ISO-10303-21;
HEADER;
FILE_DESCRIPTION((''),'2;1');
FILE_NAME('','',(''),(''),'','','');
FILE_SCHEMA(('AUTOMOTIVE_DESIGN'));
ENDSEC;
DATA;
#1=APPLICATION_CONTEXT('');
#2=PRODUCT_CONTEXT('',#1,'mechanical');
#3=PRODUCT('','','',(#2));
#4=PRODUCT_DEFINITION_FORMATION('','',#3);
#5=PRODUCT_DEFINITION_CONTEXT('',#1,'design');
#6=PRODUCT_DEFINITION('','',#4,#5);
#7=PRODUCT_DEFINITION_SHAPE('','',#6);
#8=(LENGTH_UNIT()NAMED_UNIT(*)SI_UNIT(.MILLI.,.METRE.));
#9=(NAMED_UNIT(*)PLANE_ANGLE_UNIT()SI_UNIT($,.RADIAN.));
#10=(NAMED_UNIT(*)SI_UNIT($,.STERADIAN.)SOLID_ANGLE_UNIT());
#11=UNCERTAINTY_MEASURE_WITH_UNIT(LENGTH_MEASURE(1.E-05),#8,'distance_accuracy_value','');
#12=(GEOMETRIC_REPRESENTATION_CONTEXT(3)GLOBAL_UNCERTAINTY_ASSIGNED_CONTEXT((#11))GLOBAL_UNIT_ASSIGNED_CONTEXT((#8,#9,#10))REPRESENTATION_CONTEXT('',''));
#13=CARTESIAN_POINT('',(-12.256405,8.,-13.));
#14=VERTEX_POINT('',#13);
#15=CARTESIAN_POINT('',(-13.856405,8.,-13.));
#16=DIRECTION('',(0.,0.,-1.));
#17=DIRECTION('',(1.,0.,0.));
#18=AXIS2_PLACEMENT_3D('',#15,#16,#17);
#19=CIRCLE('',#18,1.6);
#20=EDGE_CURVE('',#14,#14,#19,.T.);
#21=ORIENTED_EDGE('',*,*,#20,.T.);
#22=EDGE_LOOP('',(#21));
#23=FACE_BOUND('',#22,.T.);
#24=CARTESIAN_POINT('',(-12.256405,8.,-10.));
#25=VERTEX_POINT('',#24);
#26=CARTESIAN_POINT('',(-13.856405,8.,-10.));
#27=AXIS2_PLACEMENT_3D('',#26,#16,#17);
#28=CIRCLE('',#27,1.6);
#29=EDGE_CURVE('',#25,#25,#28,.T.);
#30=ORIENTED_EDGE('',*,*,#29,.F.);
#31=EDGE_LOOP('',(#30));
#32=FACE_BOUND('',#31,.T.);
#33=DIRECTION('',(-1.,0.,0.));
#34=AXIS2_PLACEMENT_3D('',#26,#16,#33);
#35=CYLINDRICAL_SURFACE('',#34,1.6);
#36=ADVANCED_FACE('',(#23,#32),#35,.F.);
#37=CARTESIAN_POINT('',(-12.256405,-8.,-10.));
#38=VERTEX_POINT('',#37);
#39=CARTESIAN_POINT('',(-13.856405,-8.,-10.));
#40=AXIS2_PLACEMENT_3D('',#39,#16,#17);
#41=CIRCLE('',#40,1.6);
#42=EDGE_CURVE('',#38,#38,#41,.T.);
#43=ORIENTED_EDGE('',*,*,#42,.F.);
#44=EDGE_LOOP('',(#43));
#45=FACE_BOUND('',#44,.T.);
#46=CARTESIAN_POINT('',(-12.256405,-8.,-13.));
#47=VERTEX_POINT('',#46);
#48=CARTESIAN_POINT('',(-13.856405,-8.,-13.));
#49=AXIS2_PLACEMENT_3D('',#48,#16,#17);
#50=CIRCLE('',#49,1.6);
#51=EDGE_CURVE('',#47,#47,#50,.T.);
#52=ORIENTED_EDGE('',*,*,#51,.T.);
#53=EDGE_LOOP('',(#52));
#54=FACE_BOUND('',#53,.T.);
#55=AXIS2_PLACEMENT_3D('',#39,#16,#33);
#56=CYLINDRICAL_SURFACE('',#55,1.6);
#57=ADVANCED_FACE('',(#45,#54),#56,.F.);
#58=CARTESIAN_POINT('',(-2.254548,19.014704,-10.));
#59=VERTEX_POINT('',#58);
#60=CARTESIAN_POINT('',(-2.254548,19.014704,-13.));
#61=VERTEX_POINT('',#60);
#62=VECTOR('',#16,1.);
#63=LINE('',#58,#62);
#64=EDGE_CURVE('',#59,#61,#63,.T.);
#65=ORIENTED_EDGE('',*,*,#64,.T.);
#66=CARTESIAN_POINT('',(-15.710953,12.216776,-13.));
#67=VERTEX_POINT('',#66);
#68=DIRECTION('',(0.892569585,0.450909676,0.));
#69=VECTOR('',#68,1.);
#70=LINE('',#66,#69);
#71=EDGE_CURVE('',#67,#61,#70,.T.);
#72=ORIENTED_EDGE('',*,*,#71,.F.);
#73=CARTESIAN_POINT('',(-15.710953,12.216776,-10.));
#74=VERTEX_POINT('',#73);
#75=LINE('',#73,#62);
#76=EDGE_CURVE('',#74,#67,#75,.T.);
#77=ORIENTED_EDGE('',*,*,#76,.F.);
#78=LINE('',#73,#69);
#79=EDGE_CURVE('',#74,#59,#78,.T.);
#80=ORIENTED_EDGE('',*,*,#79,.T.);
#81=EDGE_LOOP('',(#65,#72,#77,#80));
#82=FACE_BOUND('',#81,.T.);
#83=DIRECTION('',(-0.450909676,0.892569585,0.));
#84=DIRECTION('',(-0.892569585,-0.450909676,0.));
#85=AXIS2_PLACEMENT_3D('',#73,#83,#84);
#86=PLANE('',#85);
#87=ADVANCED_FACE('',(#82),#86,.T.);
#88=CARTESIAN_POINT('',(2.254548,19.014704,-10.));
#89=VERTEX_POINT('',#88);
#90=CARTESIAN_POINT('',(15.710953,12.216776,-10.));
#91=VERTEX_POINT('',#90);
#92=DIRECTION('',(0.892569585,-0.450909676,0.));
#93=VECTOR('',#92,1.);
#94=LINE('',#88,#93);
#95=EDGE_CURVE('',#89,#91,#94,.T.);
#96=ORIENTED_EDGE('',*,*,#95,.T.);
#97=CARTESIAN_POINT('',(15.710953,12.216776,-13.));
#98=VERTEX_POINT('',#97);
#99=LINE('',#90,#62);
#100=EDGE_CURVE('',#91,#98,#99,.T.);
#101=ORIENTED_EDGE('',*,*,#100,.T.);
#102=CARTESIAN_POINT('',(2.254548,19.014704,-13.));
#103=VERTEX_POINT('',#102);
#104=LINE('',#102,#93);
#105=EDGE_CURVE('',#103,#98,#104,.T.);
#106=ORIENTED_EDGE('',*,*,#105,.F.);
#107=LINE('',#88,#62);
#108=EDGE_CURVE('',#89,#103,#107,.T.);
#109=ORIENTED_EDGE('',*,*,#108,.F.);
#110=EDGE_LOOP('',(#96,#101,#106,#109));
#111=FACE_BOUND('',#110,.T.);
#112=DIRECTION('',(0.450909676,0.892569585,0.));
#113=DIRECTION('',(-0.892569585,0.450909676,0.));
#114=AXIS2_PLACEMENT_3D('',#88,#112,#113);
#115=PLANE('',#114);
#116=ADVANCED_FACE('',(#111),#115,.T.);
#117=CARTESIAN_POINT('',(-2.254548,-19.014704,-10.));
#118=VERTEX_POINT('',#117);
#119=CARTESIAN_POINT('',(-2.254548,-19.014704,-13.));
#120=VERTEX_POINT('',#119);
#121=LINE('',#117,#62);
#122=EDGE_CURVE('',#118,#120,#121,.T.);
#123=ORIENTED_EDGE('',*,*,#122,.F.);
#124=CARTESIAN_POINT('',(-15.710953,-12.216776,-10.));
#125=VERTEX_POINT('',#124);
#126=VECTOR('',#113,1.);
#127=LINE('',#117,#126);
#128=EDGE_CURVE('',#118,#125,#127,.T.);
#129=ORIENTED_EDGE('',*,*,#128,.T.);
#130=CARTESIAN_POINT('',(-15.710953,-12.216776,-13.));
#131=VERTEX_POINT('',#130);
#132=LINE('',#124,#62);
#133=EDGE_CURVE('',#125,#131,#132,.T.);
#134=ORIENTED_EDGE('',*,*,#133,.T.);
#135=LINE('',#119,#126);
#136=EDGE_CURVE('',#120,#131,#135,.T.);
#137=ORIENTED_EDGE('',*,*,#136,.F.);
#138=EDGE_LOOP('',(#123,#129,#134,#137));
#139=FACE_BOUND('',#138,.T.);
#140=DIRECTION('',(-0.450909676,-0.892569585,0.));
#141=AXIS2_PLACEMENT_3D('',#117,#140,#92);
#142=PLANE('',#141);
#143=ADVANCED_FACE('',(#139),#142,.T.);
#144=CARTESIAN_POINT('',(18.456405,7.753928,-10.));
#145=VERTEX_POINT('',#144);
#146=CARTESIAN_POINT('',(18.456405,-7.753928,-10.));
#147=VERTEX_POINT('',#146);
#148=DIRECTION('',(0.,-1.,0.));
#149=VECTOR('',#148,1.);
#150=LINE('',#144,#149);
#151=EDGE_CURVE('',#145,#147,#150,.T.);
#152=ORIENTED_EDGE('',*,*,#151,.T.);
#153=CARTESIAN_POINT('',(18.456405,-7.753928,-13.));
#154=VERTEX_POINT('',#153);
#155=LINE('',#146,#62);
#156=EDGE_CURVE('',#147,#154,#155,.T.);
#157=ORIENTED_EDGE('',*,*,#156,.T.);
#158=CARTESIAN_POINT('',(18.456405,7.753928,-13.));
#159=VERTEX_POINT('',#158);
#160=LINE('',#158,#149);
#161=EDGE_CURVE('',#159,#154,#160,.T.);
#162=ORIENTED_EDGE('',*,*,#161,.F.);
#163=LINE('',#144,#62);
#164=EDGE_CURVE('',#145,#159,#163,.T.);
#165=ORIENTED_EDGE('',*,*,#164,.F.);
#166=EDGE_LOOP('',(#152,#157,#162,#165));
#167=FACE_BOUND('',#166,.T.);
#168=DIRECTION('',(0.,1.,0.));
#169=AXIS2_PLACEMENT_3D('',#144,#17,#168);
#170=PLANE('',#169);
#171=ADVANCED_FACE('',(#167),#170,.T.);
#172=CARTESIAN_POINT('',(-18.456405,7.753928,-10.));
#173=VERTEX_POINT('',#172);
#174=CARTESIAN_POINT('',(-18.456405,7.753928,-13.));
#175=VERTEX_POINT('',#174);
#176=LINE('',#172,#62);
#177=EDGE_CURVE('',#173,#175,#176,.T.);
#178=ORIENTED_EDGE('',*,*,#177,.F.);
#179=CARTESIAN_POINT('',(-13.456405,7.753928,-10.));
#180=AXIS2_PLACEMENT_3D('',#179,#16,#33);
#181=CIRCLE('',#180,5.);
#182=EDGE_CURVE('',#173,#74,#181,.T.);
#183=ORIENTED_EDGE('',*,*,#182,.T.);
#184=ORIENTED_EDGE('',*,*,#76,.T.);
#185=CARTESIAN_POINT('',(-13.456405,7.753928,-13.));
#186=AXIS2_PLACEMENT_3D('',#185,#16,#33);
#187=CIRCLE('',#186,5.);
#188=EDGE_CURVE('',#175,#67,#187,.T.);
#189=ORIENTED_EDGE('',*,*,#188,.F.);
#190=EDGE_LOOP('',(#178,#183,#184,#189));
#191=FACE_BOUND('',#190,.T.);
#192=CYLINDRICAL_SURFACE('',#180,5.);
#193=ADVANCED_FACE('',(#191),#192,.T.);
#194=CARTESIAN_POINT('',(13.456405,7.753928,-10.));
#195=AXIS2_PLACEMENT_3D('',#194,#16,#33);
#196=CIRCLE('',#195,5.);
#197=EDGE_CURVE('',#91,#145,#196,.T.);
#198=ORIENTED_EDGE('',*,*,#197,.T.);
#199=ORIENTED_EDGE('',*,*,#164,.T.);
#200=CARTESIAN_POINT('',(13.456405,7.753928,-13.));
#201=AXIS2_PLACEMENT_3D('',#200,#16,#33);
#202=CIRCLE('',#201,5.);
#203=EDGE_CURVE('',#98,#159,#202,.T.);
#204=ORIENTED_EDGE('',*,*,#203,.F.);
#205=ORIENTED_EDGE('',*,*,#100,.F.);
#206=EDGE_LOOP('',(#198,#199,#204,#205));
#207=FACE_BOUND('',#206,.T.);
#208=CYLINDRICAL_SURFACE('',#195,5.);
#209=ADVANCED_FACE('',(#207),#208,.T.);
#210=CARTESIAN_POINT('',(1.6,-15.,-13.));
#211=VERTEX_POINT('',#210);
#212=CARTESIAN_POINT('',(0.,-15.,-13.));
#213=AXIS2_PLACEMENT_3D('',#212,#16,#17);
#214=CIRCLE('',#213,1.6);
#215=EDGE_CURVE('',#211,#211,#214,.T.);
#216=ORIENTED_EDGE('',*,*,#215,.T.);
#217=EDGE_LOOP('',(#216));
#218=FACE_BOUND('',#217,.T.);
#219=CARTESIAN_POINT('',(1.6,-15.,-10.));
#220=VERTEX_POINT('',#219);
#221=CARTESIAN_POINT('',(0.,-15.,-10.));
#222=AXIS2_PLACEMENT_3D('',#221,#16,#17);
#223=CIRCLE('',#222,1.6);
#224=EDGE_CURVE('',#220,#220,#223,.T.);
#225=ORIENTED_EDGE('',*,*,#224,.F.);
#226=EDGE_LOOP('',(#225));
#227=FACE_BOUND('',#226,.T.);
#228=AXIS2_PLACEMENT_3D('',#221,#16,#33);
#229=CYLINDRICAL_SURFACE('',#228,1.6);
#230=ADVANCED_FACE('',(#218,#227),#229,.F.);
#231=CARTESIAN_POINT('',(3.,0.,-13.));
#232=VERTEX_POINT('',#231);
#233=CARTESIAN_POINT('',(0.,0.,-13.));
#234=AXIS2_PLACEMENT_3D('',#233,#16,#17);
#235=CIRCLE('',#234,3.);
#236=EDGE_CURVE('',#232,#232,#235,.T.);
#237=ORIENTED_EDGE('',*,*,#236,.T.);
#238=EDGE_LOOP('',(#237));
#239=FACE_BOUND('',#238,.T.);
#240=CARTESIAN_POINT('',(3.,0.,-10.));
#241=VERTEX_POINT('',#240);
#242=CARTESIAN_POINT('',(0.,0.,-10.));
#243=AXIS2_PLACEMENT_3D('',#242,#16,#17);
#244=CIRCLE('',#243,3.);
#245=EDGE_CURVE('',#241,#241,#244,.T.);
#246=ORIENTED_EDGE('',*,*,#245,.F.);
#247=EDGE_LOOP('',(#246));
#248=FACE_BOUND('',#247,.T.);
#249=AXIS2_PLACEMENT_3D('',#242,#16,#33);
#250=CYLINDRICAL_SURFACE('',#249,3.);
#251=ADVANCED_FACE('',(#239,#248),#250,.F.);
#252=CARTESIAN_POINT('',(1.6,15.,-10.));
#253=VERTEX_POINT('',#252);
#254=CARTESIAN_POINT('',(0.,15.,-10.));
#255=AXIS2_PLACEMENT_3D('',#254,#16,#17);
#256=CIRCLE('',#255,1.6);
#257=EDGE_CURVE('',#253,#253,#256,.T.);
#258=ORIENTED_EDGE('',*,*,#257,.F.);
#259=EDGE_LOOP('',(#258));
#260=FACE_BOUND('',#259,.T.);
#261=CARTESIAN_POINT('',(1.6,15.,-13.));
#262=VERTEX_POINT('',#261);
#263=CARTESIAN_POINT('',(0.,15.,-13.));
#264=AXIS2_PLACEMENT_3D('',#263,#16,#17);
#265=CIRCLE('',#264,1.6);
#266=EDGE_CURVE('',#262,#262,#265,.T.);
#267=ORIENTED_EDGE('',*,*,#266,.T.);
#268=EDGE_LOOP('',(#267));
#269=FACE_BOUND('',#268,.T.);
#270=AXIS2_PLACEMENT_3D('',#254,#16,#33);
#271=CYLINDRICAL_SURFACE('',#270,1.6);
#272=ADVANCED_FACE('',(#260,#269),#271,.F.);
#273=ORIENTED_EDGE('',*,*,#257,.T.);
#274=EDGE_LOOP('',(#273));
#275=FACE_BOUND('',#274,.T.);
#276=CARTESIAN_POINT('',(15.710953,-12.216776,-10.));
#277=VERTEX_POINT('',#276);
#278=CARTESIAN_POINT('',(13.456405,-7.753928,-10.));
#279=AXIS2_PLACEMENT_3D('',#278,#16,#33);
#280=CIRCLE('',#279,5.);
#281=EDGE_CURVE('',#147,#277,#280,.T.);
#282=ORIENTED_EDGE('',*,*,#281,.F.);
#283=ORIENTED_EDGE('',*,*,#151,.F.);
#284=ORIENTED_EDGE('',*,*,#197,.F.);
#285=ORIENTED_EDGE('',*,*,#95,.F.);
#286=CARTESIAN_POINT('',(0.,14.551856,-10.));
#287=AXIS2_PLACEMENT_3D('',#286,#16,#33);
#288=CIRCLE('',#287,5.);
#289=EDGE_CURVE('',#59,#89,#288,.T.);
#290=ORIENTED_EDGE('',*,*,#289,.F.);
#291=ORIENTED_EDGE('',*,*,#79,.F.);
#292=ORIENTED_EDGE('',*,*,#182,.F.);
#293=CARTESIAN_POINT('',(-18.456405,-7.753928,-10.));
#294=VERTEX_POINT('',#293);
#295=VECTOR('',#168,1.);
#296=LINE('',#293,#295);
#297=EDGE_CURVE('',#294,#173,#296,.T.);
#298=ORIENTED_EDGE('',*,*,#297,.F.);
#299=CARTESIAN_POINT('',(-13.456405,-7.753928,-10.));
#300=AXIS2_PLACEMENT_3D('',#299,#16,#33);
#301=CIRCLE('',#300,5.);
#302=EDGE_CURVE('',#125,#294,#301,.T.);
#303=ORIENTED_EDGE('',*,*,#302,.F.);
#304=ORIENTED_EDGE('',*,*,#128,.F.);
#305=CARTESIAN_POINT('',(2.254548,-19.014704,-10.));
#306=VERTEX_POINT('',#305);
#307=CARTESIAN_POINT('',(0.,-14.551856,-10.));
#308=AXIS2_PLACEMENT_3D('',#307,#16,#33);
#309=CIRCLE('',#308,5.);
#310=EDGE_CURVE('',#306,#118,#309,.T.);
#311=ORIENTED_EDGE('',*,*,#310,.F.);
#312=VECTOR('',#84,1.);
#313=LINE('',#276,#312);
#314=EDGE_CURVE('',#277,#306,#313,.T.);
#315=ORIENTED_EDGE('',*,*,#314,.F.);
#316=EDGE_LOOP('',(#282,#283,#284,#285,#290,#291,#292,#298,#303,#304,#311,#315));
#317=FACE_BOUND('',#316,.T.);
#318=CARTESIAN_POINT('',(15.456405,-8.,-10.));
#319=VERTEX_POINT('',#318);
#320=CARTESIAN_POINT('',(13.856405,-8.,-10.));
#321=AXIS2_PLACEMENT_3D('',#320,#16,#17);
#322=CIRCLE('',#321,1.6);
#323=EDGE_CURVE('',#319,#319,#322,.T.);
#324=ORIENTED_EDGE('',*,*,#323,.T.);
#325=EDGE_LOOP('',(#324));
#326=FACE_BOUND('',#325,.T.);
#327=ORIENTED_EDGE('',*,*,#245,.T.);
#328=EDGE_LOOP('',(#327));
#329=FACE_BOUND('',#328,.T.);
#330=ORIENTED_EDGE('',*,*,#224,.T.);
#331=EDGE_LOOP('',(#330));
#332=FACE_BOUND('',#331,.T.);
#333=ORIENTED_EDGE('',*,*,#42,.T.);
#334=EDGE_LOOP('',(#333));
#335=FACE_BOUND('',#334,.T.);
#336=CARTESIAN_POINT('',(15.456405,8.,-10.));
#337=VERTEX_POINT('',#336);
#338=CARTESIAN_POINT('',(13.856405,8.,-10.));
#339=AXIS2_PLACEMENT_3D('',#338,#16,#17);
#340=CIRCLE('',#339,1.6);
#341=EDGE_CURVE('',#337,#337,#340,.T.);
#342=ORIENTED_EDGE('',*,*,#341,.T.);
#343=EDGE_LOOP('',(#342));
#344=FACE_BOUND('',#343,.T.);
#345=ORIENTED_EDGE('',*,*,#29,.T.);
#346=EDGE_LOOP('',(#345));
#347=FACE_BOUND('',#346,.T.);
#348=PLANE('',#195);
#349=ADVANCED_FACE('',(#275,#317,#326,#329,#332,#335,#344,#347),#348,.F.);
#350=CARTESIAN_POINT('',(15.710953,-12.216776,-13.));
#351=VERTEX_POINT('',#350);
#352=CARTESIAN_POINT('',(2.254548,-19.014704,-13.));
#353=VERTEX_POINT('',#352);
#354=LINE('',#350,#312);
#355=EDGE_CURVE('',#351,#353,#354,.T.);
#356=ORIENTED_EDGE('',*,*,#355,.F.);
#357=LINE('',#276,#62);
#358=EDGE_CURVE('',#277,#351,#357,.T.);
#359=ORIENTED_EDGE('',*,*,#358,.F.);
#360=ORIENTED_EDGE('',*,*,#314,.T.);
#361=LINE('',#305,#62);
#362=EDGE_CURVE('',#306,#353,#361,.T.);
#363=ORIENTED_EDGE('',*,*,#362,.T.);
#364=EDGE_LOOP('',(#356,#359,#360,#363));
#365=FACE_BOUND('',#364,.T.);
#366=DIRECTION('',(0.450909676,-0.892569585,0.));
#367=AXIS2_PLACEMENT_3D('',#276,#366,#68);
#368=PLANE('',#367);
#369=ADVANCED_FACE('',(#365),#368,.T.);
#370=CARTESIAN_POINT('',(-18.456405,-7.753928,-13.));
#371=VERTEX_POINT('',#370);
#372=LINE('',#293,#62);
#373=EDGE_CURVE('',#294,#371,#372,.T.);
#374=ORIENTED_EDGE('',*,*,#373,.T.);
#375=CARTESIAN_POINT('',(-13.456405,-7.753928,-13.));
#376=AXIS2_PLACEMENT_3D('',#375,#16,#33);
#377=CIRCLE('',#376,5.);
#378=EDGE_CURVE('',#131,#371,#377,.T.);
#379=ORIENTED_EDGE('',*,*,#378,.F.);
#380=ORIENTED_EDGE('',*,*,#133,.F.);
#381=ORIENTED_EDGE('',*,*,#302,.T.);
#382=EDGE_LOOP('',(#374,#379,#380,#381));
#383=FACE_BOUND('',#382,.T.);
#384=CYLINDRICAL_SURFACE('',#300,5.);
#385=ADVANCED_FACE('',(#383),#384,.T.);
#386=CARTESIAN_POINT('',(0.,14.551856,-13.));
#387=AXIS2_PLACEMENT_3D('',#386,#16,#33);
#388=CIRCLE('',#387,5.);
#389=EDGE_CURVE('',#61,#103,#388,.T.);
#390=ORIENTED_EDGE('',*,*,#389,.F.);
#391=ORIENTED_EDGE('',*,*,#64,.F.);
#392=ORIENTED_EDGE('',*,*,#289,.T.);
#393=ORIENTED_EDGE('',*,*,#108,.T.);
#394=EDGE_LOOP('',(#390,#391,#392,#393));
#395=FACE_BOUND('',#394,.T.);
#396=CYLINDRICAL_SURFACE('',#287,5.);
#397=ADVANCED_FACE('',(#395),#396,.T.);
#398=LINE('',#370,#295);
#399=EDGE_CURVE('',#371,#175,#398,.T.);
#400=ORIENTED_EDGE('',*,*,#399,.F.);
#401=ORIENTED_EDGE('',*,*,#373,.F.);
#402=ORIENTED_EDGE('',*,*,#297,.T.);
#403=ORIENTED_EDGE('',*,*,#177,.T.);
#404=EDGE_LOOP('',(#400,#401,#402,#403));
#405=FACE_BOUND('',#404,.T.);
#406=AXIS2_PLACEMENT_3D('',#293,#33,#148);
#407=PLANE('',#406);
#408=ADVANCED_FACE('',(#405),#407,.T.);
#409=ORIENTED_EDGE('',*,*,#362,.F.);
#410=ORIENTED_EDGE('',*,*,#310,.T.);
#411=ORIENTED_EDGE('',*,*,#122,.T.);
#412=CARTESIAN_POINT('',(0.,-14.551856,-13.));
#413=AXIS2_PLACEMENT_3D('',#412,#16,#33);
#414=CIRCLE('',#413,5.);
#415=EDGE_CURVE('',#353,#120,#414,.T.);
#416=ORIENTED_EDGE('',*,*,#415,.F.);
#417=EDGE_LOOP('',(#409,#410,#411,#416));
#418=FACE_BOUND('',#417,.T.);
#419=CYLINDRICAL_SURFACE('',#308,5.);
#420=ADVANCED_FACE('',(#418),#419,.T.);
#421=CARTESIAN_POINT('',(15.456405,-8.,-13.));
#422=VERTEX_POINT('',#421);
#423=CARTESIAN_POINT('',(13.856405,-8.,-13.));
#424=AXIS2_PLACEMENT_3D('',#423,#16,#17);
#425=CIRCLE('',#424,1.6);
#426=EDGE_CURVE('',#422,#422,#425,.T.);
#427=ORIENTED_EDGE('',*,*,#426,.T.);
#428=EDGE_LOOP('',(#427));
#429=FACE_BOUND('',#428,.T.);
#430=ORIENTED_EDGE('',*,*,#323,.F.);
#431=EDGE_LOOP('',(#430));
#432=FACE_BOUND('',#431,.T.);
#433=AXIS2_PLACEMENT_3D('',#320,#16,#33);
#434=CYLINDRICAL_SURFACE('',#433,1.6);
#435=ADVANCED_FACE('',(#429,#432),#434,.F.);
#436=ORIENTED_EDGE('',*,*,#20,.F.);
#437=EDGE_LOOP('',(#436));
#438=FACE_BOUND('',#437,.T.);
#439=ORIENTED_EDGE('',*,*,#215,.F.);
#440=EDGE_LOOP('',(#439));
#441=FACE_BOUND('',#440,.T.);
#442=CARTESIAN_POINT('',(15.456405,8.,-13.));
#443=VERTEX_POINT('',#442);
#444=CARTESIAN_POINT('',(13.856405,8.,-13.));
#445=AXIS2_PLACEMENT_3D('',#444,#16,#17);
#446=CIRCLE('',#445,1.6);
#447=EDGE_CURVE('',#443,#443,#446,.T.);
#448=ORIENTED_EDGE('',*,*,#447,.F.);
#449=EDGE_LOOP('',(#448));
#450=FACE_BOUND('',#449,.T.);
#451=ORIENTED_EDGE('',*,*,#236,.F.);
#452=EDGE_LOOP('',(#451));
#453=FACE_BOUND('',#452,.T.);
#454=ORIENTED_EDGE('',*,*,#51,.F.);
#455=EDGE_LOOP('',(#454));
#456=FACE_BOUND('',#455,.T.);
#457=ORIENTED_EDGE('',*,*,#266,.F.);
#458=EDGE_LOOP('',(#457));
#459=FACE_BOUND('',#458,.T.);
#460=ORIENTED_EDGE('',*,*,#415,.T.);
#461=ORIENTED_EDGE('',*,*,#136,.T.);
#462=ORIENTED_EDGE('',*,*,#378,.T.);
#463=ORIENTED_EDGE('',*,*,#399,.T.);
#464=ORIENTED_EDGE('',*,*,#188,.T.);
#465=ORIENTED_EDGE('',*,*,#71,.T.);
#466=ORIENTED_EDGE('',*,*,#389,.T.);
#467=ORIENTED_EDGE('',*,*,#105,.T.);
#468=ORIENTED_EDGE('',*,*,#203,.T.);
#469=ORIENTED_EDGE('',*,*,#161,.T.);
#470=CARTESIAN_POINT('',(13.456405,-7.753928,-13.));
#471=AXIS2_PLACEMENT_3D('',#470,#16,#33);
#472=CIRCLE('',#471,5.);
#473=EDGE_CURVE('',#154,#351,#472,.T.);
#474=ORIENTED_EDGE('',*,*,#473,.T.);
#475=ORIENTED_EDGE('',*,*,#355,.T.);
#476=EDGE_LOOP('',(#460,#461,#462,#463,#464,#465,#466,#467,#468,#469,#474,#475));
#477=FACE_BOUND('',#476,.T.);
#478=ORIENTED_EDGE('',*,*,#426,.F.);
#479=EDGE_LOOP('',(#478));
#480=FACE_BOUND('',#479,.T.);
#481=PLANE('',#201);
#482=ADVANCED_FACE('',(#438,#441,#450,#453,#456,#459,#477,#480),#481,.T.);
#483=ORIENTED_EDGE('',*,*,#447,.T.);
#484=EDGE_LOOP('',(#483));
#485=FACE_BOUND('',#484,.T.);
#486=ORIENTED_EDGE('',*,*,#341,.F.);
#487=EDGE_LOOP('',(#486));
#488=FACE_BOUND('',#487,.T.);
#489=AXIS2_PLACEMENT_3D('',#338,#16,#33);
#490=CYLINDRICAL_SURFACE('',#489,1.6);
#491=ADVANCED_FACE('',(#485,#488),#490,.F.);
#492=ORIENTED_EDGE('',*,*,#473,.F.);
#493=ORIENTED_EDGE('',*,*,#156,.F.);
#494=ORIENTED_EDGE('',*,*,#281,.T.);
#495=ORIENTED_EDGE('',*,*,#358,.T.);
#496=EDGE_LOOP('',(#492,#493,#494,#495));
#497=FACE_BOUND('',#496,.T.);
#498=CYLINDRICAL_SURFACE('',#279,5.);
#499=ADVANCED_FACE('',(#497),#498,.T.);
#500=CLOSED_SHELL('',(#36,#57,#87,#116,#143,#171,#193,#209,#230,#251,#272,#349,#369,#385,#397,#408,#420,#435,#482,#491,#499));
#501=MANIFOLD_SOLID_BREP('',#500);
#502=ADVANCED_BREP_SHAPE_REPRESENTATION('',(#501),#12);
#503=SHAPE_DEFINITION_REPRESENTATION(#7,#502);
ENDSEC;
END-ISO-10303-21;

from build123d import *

# Parameters (mm, degrees)
ESBO_O1_R                = 1.6
ESBO_O1_R_2              = 3
RESSALTO_EXTRUS_O1_DEPTH = 3


with BuildPart() as part:
    # Esboço1 → Ressalto-extrusão1 (new body)
    with BuildSketch(Plane(origin=(0, 0, -13), x_dir=(-1, 0, 0), z_dir=(0, 0, -1))):
        with BuildLine():
            Line((-18.456405, 7.753928284), (-18.456405, -7.753928284))
            ThreePointArc((-18.456405, -7.753928284), (-17.715086833, -10.373781151), (-15.710953382, -12.216776208))
            Line((-15.710953382, -12.216776208), (-2.254548382, -19.014703593))
            ThreePointArc((-2.254548382, -19.014703593), (0, -19.551855668), (2.254548382, -19.014703593))
            Line((2.254548382, -19.014703593), (15.710953382, -12.216776208))
            ThreePointArc((15.710953382, -12.216776208), (17.715086833, -10.373781151), (18.456405, -7.753928284))
            Line((18.456405, -7.753928284), (18.456405, 7.753928284))
            ThreePointArc((18.456405, 7.753928284), (17.715086833, 10.373781151), (15.710953382, 12.216776208))
            Line((15.710953382, 12.216776208), (2.254548382, 19.014703593))
            ThreePointArc((2.254548382, 19.014703593), (0, 19.551855668), (-2.254548382, 19.014703593))
            Line((-2.254548382, 19.014703593), (-15.710953382, 12.216776208))
            ThreePointArc((-15.710953382, 12.216776208), (-17.715086833, 10.373781151), (-18.456405, 7.753928284))
        make_face()
        with Locations((13.856405, -8)):
            Circle(ESBO_O1_R, mode=Mode.SUBTRACT)
        with Locations((-13.856405, 8)):
            Circle(ESBO_O1_R, mode=Mode.SUBTRACT)
        with Locations((13.856405, 8)):
            Circle(ESBO_O1_R, mode=Mode.SUBTRACT)
        Circle(ESBO_O1_R_2, mode=Mode.SUBTRACT)
        with Locations((0, 15)):
            Circle(ESBO_O1_R, mode=Mode.SUBTRACT)
        with Locations((-13.856405, -8)):
            Circle(ESBO_O1_R, mode=Mode.SUBTRACT)
        with Locations((0, -15)):
            Circle(ESBO_O1_R, mode=Mode.SUBTRACT)
    extrude(amount=-RESSALTO_EXTRUS_O1_DEPTH)


solid = part.part
